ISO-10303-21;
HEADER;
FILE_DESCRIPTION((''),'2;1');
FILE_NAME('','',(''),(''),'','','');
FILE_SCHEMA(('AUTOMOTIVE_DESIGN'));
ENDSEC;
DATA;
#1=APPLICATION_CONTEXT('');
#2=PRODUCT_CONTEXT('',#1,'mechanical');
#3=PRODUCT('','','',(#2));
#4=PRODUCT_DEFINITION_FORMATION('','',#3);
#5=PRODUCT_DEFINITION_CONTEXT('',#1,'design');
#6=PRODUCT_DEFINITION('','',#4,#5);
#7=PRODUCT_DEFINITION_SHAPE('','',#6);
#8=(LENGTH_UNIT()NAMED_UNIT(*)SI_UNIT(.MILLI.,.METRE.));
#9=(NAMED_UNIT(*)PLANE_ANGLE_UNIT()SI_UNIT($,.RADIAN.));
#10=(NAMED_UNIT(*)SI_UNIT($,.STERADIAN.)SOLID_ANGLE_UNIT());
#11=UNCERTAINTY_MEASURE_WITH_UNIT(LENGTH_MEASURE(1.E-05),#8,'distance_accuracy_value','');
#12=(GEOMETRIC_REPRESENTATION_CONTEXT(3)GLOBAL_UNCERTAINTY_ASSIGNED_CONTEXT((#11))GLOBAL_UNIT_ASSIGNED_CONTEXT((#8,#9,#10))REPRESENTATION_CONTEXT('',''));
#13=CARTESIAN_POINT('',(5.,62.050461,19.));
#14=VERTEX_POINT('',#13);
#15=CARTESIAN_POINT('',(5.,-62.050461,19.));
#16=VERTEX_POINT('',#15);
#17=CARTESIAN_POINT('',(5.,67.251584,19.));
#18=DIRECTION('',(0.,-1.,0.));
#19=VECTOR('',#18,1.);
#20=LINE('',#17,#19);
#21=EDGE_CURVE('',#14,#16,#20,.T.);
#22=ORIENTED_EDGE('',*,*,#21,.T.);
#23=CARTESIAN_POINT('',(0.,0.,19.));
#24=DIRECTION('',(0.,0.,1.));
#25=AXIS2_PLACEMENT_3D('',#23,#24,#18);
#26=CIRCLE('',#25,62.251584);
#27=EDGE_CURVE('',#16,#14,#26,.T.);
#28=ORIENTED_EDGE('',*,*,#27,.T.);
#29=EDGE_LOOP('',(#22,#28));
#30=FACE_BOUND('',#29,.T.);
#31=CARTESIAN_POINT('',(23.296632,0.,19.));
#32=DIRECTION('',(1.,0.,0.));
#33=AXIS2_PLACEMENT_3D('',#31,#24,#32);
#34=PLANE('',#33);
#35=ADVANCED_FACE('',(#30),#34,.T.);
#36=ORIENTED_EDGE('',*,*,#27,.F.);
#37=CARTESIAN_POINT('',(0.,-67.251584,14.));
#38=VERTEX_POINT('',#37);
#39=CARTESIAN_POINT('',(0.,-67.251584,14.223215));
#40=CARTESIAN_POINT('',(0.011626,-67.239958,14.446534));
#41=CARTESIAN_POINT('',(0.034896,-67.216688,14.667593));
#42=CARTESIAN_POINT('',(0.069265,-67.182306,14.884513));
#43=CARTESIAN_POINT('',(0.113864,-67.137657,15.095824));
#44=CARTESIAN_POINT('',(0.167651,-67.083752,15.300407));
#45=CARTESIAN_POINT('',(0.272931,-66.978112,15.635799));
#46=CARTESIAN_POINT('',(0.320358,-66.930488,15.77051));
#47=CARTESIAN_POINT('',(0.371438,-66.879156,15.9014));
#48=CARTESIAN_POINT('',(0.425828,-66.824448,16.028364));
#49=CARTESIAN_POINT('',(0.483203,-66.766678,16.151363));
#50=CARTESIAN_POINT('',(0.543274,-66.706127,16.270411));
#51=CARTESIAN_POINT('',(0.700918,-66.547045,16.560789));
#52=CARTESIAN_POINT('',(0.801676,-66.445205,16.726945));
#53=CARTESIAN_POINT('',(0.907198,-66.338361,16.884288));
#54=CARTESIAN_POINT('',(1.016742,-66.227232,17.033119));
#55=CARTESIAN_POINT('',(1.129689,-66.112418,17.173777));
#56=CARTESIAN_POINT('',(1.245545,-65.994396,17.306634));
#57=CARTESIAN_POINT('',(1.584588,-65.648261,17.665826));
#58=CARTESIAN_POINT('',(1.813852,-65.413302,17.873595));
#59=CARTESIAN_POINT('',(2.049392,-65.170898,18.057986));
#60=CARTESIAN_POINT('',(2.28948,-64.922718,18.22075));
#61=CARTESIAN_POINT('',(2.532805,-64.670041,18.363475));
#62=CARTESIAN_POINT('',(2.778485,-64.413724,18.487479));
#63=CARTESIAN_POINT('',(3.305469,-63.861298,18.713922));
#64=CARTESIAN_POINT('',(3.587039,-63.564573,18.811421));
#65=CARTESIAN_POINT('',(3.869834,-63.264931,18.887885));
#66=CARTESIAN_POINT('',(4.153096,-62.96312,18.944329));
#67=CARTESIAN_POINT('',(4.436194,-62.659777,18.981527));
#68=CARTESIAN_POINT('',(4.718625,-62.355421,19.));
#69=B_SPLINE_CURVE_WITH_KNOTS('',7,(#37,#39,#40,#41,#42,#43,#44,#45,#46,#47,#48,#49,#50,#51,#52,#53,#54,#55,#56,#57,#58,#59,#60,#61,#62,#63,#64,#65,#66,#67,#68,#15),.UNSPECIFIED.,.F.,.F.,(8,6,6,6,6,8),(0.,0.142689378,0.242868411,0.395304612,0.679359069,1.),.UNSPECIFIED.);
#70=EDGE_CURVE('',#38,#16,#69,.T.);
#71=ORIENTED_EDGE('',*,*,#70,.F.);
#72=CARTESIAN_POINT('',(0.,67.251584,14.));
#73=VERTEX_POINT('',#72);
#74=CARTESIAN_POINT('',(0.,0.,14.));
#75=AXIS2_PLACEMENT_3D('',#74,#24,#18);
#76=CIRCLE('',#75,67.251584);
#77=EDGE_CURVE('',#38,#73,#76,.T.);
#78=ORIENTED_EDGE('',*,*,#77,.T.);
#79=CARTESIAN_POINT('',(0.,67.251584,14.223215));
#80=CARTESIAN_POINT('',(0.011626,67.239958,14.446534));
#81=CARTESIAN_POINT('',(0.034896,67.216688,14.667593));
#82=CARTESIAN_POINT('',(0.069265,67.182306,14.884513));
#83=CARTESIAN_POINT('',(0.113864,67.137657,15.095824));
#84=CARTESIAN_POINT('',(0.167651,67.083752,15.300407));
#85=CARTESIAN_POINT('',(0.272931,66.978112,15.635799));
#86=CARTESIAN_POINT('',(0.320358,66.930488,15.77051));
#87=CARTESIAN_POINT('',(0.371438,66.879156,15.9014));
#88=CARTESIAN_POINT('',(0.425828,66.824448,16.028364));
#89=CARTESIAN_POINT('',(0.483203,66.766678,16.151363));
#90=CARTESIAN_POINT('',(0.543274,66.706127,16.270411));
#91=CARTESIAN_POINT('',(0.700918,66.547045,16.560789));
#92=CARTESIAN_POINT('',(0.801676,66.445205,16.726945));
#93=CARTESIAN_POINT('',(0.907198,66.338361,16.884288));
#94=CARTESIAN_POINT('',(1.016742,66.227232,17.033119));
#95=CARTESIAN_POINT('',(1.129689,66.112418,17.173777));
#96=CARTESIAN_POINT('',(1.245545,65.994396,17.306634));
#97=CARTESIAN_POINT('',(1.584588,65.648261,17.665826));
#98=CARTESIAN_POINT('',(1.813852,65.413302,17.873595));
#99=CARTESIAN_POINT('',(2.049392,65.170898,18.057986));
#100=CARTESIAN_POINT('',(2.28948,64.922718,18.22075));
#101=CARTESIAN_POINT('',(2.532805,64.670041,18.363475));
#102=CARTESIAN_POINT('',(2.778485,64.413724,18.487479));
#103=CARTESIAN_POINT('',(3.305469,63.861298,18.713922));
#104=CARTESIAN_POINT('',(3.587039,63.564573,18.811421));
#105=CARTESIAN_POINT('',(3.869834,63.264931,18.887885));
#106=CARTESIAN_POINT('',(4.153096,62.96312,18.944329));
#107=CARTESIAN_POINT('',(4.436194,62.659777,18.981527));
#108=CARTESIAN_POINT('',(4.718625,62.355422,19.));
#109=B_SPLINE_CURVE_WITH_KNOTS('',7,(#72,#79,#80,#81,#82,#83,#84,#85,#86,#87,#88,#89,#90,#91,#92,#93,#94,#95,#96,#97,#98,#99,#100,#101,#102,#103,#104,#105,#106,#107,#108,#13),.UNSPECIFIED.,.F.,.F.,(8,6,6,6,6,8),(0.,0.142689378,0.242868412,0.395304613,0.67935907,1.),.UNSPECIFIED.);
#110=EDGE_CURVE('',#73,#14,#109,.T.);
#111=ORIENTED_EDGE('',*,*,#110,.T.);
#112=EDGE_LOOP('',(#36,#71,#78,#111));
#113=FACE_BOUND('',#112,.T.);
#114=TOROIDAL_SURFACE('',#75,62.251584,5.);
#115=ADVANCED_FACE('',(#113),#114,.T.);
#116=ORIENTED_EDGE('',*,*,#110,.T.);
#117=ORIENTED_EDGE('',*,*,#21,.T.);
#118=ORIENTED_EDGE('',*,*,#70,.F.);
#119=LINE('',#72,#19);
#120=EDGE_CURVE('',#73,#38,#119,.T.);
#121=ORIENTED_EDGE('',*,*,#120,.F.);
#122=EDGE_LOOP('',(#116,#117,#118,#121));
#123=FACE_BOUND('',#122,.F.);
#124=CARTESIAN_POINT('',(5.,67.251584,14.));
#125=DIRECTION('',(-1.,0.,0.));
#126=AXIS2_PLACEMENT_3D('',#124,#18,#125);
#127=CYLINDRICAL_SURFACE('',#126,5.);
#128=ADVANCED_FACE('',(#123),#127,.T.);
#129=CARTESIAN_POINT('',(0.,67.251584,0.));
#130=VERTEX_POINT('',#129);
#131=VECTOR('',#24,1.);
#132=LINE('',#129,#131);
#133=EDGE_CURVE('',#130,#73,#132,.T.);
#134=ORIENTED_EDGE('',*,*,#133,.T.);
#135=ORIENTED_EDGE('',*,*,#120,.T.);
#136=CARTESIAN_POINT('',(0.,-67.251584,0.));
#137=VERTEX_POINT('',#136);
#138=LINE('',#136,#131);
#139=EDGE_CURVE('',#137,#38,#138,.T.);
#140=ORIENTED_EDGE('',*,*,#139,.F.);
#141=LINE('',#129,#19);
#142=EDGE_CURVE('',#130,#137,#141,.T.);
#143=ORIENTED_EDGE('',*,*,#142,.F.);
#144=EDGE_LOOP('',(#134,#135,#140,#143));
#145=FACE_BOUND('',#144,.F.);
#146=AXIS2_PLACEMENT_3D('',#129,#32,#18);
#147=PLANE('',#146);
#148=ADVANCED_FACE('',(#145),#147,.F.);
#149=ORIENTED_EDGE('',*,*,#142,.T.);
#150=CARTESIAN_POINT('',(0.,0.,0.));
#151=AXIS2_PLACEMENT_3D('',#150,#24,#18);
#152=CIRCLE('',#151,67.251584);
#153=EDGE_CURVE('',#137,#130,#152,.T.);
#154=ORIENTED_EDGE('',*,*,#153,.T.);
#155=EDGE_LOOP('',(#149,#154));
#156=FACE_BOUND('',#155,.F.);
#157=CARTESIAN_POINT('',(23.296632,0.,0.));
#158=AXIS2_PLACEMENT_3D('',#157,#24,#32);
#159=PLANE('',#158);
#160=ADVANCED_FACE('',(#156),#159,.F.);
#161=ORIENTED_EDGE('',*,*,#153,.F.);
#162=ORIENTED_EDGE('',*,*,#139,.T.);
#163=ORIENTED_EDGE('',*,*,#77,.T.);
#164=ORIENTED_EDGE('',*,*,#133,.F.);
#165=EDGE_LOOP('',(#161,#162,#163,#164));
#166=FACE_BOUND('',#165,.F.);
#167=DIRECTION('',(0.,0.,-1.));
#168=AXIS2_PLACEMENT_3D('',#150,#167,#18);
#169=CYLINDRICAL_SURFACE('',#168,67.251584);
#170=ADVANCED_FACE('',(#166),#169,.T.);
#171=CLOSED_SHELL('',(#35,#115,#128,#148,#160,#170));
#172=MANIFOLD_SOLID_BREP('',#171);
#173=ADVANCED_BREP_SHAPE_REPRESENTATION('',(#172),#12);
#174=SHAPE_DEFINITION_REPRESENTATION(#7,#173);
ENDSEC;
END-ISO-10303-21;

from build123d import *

# Parameters (mm, degrees)
F1_DEPTH = 19
F2_R     = 5


with BuildPart() as f1:
    # F0 (on Top) → F1 (new body)
    with BuildSketch(Plane.XY):
        with BuildLine():
            Line((0, 67.251584), (0, -67.251584))
            ThreePointArc((0, -67.251584), (67.251584, 0), (0, 67.251584))
        make_face()
    extrude(amount=F1_DEPTH)

    # F2
    f2_edges = [f1.edges().sort_by_distance(p)[0] for p in [
        (0, 0, 19),
        (67.251584, 0, 19),
    ]]
    fillet(f2_edges, radius=F2_R)


solid = f1.part
